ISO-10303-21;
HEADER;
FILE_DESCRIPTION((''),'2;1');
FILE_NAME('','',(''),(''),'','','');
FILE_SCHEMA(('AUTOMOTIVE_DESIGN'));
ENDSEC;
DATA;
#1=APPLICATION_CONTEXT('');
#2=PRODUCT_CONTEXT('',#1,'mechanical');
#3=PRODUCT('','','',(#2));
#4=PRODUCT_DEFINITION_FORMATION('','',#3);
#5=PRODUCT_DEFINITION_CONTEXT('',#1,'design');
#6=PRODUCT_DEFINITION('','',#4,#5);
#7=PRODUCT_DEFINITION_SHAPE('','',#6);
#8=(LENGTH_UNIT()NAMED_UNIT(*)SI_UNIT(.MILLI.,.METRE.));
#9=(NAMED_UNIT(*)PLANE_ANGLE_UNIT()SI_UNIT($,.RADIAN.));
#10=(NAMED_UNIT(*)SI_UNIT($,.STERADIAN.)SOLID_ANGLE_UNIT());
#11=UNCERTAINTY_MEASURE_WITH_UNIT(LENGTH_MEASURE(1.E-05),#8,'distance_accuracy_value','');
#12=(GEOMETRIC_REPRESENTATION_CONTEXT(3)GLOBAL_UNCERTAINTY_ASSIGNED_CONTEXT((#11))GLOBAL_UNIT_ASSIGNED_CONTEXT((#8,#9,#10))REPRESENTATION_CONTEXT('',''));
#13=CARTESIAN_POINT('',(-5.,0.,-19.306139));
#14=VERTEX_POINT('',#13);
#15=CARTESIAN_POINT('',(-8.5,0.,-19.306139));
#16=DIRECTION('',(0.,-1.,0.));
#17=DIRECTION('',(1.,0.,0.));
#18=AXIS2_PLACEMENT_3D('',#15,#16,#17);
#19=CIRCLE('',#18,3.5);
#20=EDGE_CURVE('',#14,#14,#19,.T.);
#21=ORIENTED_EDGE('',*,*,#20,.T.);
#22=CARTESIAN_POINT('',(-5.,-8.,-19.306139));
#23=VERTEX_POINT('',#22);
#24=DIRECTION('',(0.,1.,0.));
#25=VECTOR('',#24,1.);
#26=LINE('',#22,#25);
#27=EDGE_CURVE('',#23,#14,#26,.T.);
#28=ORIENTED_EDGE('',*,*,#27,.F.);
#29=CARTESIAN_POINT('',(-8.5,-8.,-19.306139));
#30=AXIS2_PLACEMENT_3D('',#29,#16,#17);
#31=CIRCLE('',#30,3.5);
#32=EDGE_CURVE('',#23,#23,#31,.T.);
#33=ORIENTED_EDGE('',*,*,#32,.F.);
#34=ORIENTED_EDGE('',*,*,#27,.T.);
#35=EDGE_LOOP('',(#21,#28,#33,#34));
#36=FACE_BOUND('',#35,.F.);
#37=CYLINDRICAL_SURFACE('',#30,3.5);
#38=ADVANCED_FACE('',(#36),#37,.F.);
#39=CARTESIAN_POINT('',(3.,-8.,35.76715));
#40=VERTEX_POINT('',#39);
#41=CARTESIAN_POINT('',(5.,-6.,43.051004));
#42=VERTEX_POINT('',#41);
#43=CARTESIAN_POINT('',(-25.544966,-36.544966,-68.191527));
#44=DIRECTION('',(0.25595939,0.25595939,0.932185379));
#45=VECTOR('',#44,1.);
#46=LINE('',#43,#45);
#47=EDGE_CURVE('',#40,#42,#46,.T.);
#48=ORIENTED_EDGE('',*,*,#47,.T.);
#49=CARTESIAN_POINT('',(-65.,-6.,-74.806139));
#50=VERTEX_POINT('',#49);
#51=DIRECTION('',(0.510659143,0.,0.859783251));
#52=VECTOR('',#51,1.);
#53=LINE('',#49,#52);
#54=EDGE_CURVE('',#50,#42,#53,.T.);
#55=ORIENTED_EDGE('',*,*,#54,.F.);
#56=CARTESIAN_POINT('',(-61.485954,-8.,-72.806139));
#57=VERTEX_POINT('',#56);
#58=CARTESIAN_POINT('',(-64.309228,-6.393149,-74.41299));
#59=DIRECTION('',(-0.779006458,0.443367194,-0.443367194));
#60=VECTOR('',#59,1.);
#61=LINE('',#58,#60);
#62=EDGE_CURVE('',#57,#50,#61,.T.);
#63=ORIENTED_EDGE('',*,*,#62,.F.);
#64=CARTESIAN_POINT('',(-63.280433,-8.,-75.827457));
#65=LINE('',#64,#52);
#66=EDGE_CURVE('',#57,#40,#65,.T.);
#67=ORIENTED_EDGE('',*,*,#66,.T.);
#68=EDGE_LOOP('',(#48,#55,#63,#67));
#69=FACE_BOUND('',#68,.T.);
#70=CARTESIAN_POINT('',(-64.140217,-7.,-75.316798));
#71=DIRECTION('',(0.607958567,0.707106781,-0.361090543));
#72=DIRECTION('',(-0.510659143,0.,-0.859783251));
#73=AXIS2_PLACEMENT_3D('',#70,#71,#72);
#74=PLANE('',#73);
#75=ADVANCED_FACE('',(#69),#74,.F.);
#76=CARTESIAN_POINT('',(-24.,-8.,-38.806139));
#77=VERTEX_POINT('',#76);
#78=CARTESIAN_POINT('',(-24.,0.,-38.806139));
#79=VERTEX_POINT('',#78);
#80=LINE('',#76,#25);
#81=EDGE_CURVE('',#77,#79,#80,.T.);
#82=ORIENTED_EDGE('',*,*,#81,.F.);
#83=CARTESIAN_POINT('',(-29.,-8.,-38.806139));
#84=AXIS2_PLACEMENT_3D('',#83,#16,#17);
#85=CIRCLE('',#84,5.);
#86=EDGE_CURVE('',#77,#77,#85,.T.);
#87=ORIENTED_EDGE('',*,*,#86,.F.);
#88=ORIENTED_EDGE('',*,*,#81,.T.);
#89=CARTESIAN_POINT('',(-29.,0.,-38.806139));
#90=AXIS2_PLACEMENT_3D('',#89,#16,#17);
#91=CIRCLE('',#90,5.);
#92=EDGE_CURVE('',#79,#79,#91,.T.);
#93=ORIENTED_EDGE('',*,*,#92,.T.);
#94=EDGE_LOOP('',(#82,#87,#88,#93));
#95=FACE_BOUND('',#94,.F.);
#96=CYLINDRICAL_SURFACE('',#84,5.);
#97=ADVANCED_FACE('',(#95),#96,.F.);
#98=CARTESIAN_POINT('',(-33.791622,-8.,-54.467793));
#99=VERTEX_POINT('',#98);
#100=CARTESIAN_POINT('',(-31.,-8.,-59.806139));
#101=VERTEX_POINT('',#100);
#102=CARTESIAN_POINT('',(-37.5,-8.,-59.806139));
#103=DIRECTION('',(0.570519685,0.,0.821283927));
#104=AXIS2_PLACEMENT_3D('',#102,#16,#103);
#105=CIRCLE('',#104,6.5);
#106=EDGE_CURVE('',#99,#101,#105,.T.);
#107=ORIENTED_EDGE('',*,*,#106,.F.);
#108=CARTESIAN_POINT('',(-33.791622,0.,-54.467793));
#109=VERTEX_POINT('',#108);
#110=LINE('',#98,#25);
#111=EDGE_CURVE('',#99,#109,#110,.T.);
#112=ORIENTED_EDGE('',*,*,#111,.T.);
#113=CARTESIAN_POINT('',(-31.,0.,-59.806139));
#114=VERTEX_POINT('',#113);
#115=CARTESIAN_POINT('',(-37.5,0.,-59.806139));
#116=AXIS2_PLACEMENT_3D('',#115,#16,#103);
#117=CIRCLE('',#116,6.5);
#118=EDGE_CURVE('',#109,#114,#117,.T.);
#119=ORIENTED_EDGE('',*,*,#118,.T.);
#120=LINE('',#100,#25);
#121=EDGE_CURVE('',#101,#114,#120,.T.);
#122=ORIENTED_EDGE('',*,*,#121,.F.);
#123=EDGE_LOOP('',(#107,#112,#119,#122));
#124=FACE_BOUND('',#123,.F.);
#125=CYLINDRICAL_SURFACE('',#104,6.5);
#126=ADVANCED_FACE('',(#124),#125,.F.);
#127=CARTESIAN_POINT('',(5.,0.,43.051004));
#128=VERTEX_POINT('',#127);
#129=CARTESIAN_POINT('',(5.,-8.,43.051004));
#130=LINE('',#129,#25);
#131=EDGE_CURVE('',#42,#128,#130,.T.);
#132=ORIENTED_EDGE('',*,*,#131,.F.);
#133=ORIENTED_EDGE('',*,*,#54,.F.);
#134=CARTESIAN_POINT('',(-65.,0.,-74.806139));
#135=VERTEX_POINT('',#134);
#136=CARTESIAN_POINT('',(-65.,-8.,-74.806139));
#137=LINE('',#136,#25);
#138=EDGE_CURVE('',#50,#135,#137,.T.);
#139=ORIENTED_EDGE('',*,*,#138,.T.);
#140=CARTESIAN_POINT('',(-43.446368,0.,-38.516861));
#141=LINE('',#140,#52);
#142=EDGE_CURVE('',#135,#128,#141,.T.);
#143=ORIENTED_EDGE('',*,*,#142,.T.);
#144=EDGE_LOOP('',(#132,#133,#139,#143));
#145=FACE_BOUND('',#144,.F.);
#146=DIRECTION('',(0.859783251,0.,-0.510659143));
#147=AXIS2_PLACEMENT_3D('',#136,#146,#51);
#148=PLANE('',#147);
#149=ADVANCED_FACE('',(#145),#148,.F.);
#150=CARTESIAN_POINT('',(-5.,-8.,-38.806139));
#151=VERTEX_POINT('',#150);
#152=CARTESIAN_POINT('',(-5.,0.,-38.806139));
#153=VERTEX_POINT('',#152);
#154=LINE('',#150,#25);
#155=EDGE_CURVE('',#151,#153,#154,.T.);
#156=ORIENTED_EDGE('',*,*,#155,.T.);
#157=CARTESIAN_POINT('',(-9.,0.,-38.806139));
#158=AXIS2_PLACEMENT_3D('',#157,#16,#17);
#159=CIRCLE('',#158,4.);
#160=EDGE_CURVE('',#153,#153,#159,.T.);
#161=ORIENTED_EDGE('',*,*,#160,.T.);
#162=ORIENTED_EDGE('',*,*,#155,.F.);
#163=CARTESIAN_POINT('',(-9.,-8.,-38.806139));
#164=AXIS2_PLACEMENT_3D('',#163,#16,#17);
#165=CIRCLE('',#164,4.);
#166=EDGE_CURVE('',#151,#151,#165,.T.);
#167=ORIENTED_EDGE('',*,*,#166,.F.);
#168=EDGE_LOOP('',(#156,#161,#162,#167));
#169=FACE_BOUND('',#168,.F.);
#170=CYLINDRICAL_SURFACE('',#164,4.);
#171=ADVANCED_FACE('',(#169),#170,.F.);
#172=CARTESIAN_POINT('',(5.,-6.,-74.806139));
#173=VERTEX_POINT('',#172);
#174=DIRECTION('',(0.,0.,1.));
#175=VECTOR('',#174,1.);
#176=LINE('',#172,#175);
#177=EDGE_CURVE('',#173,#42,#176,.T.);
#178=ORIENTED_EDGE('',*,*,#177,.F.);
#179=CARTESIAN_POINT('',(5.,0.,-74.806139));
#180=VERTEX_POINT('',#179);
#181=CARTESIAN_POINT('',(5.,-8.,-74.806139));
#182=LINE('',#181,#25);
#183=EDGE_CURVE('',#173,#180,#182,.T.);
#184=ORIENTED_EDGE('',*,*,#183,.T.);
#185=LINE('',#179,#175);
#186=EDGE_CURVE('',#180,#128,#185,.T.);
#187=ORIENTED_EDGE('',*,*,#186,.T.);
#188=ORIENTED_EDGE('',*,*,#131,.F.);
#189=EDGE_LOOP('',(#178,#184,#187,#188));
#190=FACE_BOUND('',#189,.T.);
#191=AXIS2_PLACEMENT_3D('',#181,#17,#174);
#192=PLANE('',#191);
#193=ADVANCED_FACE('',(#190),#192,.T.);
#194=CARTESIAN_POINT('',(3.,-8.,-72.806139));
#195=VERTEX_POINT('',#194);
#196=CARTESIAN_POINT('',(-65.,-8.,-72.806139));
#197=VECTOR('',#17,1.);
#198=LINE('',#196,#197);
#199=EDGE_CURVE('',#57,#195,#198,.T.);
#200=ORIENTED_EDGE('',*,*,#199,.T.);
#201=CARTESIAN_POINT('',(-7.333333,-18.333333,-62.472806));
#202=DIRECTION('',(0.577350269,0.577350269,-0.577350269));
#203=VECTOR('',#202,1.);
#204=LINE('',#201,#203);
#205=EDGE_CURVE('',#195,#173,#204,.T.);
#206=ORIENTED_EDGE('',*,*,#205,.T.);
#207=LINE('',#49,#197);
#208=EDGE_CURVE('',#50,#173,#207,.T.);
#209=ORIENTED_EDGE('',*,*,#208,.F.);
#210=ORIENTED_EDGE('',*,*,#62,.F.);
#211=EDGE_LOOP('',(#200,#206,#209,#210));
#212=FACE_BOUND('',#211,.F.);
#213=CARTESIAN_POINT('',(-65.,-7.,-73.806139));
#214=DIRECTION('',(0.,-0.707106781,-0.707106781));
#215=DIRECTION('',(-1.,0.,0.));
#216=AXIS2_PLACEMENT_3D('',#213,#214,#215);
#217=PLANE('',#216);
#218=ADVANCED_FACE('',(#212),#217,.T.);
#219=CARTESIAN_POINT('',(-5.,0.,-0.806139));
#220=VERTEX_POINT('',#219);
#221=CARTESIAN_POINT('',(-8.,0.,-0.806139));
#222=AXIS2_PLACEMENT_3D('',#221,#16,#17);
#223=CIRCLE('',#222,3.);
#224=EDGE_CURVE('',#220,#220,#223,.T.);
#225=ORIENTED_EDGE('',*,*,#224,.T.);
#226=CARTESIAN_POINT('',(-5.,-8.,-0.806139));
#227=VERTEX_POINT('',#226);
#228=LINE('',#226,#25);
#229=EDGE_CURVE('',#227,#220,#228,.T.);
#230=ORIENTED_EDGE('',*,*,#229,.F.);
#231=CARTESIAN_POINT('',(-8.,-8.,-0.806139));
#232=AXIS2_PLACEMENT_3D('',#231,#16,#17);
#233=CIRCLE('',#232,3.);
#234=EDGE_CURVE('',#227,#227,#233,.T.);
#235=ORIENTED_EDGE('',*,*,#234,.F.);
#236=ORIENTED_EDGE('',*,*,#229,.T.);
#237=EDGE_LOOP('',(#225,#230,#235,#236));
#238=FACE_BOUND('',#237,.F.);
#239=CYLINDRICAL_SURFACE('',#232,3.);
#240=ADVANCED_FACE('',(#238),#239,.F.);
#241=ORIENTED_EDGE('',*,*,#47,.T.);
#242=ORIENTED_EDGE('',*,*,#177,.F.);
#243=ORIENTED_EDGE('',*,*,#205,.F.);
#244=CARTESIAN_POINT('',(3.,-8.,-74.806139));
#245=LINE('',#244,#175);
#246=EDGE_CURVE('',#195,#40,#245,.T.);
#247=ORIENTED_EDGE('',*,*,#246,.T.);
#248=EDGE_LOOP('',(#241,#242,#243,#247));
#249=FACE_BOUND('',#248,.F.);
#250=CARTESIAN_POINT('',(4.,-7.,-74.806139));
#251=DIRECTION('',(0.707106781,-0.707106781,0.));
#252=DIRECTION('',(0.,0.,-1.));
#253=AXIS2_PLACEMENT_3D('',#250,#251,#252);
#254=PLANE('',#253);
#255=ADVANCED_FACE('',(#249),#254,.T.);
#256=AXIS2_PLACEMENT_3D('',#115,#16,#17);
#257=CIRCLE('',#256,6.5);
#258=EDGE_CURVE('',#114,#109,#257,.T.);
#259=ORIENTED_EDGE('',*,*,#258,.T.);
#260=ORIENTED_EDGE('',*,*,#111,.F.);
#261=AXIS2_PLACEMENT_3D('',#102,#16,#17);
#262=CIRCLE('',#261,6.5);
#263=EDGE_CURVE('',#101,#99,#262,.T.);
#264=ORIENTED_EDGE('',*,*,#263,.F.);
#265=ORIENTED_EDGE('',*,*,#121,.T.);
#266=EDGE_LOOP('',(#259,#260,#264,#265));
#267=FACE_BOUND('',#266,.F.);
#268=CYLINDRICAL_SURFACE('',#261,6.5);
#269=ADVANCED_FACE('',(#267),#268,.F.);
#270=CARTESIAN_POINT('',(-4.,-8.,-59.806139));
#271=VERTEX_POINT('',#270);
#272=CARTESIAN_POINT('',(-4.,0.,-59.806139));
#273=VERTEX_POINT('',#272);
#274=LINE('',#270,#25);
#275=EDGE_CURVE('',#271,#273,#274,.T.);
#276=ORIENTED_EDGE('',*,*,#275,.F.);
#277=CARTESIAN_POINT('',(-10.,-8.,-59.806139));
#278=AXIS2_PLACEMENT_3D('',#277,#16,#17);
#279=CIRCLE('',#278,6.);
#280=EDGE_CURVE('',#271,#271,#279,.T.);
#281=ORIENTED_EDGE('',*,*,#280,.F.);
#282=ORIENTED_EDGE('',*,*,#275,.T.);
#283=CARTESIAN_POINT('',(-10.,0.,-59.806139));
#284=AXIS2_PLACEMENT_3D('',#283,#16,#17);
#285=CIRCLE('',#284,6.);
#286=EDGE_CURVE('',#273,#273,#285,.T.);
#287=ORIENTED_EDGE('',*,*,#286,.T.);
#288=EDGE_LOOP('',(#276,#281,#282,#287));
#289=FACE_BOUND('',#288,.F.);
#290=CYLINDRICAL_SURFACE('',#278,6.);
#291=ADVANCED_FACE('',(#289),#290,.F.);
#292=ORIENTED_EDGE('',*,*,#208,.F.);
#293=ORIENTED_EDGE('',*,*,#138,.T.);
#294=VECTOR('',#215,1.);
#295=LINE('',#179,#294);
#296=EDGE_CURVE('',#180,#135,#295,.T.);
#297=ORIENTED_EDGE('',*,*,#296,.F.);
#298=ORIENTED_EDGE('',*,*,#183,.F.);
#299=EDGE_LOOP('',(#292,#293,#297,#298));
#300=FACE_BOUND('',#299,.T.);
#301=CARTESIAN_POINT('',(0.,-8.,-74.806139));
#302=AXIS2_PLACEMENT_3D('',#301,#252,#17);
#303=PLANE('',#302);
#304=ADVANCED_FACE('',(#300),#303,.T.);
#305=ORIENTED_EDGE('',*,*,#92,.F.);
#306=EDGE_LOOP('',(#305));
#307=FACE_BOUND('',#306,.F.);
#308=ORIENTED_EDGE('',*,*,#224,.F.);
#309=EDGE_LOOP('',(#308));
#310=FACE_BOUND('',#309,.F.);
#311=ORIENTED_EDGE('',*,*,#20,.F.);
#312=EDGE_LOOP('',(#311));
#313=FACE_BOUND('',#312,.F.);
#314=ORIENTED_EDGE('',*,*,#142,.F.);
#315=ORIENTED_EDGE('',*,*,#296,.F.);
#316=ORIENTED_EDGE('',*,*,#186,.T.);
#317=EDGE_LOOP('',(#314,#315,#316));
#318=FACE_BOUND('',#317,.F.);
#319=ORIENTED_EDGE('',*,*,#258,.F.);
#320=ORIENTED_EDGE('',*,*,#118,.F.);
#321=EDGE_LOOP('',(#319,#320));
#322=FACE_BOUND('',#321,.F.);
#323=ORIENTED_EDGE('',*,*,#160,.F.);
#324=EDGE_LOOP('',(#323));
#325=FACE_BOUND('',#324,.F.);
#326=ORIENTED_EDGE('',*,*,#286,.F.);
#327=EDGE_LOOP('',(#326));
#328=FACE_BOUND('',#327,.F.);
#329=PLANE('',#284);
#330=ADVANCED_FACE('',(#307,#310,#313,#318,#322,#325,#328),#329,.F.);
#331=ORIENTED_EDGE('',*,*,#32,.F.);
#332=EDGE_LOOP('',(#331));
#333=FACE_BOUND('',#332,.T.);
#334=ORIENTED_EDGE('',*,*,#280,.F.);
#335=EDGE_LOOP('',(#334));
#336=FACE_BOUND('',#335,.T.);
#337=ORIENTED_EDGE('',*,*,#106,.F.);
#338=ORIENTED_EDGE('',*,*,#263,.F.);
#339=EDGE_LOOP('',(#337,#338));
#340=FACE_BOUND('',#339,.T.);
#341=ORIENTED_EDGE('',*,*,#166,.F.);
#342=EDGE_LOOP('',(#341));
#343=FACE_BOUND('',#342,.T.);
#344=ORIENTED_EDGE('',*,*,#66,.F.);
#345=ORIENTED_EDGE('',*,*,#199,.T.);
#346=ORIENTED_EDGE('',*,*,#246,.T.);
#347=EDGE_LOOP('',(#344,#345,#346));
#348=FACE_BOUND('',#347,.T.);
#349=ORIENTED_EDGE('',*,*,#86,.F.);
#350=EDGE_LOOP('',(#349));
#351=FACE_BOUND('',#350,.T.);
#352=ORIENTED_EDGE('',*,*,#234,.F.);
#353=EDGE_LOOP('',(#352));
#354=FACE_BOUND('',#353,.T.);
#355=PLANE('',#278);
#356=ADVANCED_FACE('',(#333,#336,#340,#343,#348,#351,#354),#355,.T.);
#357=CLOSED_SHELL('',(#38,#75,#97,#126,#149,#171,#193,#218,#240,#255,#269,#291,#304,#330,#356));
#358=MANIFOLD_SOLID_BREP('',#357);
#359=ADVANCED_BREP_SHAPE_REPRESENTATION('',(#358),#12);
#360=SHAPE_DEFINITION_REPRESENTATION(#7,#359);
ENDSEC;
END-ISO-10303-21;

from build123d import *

# Parameters (mm, degrees)
F1_DEPTH  = 8
F3_DEPTH  = 8
F5_DEPTH  = 25
F7_DEPTH  = 25
F9_DEPTH  = 25
F11_DEPTH = 8
F13_DEPTH = 25
F14_R     = 6.3379866709
F14_R_2   = 4
F14_R_3   = 6.8285415101
F14_R_4   = 3.5
F14_R_5   = 5.2949091489
F14_R_6   = 3
F15_DEPTH = 8
F16_R     = 4
F16_R_2   = 3.5
F16_R_3   = 3
F17_DEPTH = 25
F18_R     = 6.5
F18_R_2   = 6
F19_DEPTH = 25
F20_R     = 6.5
F20_R_2   = 5
F21_DEPTH = 25
F22_R     = 6
F22_R_2   = 5
F23_DEPTH = 8
F24_R     = 9.6843488415
F24_R_2   = 6.5
F25_DEPTH = 8
F26_R     = 6.5
F26_R_2   = 6
F27_DEPTH = 8
F29_DEPTH = 25
F30_SIZE  = 2


with BuildPart() as f1:
    # F0 (on Front) → F1 (new body)
    with BuildSketch(Plane.XZ):
        Polygon((-70, -74.8061388731), (0, -74.8061388731), (0, 65.1938611269), align=None)
    extrude(amount=F1_DEPTH)

    # F2 (on face) → F3 (join)
    with BuildSketch(Plane.XZ.offset(8)):
        Polygon((-70, -74.8061388731), (0, 65.1938611269), (0, 115.1938611269), align=None)
    extrude(amount=-F3_DEPTH)

    # F4 (on face) → F5 (cut)
    with BuildSketch(Plane.XZ.offset(8)):
        Polygon((0, 65.1938611269), (0, 115.1938611269), (-70, -74.8061388731), align=None)
    extrude(amount=-F5_DEPTH, mode=Mode.SUBTRACT)

    # F6 (on face) → F7 (cut)
    with BuildSketch(Plane.XZ.offset(8)):
        with BuildLine():
            Line((-10, -59.8061388731), (-10, -64.8061388731))
            ThreePointArc((-10, -64.8061388731), (-6.4644660941, -63.341672779), (-5, -59.8061388731))
            ThreePointArc((-5, -59.8061388731), (-6.4644660941, -56.2706049672), (-10, -54.8061388731))
            Line((-10, -54.8061388731), (-10, -59.8061388731))
        make_face()
        with BuildLine():
            ThreePointArc((-10, -54.8061388731), (-15, -59.8061388731), (-10, -64.8061388731))
            Line((-10, -64.8061388731), (-10, -59.8061388731))
            Line((-10, -59.8061388731), (-10, -54.8061388731))
        make_face()
        with BuildLine():
            Line((-10, -38.8061388731), (-10, -42.8061388731))
            ThreePointArc((-10, -42.8061388731), (-7.1715728753, -41.6345659978), (-6, -38.8061388731))
            ThreePointArc((-6, -38.8061388731), (-7.1715728753, -35.9777117484), (-10, -34.8061388731))
            Line((-10, -34.8061388731), (-10, -38.8061388731))
        make_face()
        with BuildLine():
            ThreePointArc((-10, -34.8061388731), (-14, -38.8061388731), (-10, -42.8061388731))
            Line((-10, -42.8061388731), (-10, -38.8061388731))
            Line((-10, -38.8061388731), (-10, -34.8061388731))
        make_face()
        with BuildLine():
            Line((-10, -19.3061388731), (-10, -22.8061388731))
            ThreePointArc((-10, -22.8061388731), (-7.5251262658, -21.7810126073), (-6.5, -19.3061388731))
            ThreePointArc((-6.5, -19.3061388731), (-7.5251262658, -16.8312651389), (-10, -15.8061388731))
            Line((-10, -15.8061388731), (-10, -19.3061388731))
        make_face()
        with BuildLine():
            ThreePointArc((-10, -15.8061388731), (-13.5, -19.3061388731), (-10, -22.8061388731))
            Line((-10, -22.8061388731), (-10, -19.3061388731))
            Line((-10, -19.3061388731), (-10, -15.8061388731))
        make_face()
        with BuildLine():
            ThreePointArc((-7, -0.8061388731), (-12.1213203436, 1.3151814705), (-10, -3.8061388731))
            ThreePointArc((-10, -3.8061388731), (-7.8786796564, -2.9274592167), (-7, -0.8061388731))
        make_face()
    extrude(amount=-F7_DEPTH, mode=Mode.SUBTRACT)

    # F8 (on face) → F9 (cut)
    with BuildSketch(Plane.XZ.offset(8)):
        Polygon((0, 35.1938611269), (0, 65.1938611269), (-70, -74.8061388731), align=None)
    extrude(amount=-F9_DEPTH, mode=Mode.SUBTRACT)

    # F10 (on face) → F11 (join)
    with BuildSketch(Plane.XZ.offset(8)):
        Polygon((5, 43.051003984), (0, 35.1938611269), (0, -74.8061388731), (5, -74.8061388731), align=None)
    extrude(amount=-F11_DEPTH)

    # F12 (on face) → F13 (cut)
    with BuildSketch(Plane.XZ.offset(8)):
        Polygon((5, 43.051003984), (-70, -74.8061388731), (-65, -74.8061388731), align=None)
    extrude(amount=-F13_DEPTH, mode=Mode.SUBTRACT)

    # F14 (on face) → F15 (join)
    with BuildSketch(Plane.XZ.offset(8)):
        with Locations((-10, -38.8061388731)):
            Circle(F14_R)
        with Locations((-10, -38.8061388731)):
            Circle(F14_R_2, mode=Mode.SUBTRACT)
        with Locations((-10, -38.8061388731)):
            Circle(F14_R_2)
        with Locations((-10, -19.3061388731)):
            Circle(F14_R_3)
        with Locations((-10, -19.3061388731)):
            Circle(F14_R_4, mode=Mode.SUBTRACT)
        with Locations((-10, -19.3061388731)):
            Circle(F14_R_4)
        with Locations((-10, -0.8061388731)):
            Circle(F14_R_5)
        with Locations((-10, -0.8061388731)):
            Circle(F14_R_6, mode=Mode.SUBTRACT)
        with Locations((-10, -0.8061388731)):
            Circle(F14_R_6)
    extrude(amount=-F15_DEPTH)

    # F16 (on face) → F17 (cut)
    with BuildSketch(Plane.XZ.offset(8)):
        with Locations((-9, -38.8061388731)):
            Circle(F16_R)
        with Locations((-8.5, -19.3061388731)):
            Circle(F16_R_2)
        with Locations((-8, -0.8061388731)):
            Circle(F16_R_3)
    extrude(amount=-F17_DEPTH, mode=Mode.SUBTRACT)

    # F18 (on face) → F19 (cut)
    with BuildSketch(Plane.XZ.offset(8)):
        with Locations((-31.5, -59.8061388731)):
            Circle(F18_R)
        with Locations((-29, -38.8061388731)):
            Circle(F18_R_2)
    extrude(amount=-F19_DEPTH, mode=Mode.SUBTRACT)

    # F20 (on face) → F21 (cut)
    with BuildSketch(Plane.XZ.offset(8)):
        with Locations((-10, -59.8061388731)):
            Circle(F20_R)
        with Locations((-10, -59.8061388731)):
            Circle(F20_R_2, mode=Mode.SUBTRACT)
    extrude(amount=-F21_DEPTH, mode=Mode.SUBTRACT)

    # F22 (on face) → F23 (join)
    with BuildSketch(Plane.XZ.offset(8)):
        with Locations((-29, -38.8061388731)):
            Circle(F22_R)
        with Locations((-29, -38.8061388731)):
            Circle(F22_R_2, mode=Mode.SUBTRACT)
    extrude(amount=-F23_DEPTH)

    # F24 (on face) → F25 (join)
    with BuildSketch(Plane.XZ.offset(8)):
        with Locations((-31.5, -59.8061388731)):
            Circle(F24_R)
        with Locations((-31.5, -59.8061388731)):
            Circle(F24_R_2, mode=Mode.SUBTRACT)
        with Locations((-31.5, -59.8061388731)):
            Circle(F24_R_2)
    extrude(amount=-F25_DEPTH)

    # F26 (on face) → F27 (join)
    with BuildSketch(Plane.XZ.offset(8)):
        with Locations((-10, -59.8061388731)):
            Circle(F26_R)
        with Locations((-10, -59.8061388731)):
            Circle(F26_R_2, mode=Mode.SUBTRACT)
    extrude(amount=-F27_DEPTH)

    # F28 (on face) → F29 (cut)
    with BuildSketch(Plane.XZ.offset(8)):
        with BuildLine():
            ThreePointArc((-33.7916220485, -54.4677933458), (-43.259967738, -62.8182430641), (-31, -59.8061388731))
            Line((-31, -59.8061388731), (-37.5, -59.8061388731))
            Line((-37.5, -59.8061388731), (-33.7916220485, -54.4677933458))
        make_face()
        with BuildLine():
            Line((-37.5, -59.8061388731), (-31, -59.8061388731))
            ThreePointArc((-31, -59.8061388731), (-31.740032262, -56.7940346821), (-33.7916220485, -54.4677933458))
            Line((-33.7916220485, -54.4677933458), (-37.5, -59.8061388731))
        make_face()
    extrude(amount=-F29_DEPTH, mode=Mode.SUBTRACT)

    # F30
    f30_edges = [f1.edges().sort_by_distance(p)[0] for p in [
        (5, -8, -15.877567),
        (-30, -8, -15.877567),
        (-30, -8, -74.806139),
    ]]
    chamfer(f30_edges, length=F30_SIZE)


solid = f1.part
